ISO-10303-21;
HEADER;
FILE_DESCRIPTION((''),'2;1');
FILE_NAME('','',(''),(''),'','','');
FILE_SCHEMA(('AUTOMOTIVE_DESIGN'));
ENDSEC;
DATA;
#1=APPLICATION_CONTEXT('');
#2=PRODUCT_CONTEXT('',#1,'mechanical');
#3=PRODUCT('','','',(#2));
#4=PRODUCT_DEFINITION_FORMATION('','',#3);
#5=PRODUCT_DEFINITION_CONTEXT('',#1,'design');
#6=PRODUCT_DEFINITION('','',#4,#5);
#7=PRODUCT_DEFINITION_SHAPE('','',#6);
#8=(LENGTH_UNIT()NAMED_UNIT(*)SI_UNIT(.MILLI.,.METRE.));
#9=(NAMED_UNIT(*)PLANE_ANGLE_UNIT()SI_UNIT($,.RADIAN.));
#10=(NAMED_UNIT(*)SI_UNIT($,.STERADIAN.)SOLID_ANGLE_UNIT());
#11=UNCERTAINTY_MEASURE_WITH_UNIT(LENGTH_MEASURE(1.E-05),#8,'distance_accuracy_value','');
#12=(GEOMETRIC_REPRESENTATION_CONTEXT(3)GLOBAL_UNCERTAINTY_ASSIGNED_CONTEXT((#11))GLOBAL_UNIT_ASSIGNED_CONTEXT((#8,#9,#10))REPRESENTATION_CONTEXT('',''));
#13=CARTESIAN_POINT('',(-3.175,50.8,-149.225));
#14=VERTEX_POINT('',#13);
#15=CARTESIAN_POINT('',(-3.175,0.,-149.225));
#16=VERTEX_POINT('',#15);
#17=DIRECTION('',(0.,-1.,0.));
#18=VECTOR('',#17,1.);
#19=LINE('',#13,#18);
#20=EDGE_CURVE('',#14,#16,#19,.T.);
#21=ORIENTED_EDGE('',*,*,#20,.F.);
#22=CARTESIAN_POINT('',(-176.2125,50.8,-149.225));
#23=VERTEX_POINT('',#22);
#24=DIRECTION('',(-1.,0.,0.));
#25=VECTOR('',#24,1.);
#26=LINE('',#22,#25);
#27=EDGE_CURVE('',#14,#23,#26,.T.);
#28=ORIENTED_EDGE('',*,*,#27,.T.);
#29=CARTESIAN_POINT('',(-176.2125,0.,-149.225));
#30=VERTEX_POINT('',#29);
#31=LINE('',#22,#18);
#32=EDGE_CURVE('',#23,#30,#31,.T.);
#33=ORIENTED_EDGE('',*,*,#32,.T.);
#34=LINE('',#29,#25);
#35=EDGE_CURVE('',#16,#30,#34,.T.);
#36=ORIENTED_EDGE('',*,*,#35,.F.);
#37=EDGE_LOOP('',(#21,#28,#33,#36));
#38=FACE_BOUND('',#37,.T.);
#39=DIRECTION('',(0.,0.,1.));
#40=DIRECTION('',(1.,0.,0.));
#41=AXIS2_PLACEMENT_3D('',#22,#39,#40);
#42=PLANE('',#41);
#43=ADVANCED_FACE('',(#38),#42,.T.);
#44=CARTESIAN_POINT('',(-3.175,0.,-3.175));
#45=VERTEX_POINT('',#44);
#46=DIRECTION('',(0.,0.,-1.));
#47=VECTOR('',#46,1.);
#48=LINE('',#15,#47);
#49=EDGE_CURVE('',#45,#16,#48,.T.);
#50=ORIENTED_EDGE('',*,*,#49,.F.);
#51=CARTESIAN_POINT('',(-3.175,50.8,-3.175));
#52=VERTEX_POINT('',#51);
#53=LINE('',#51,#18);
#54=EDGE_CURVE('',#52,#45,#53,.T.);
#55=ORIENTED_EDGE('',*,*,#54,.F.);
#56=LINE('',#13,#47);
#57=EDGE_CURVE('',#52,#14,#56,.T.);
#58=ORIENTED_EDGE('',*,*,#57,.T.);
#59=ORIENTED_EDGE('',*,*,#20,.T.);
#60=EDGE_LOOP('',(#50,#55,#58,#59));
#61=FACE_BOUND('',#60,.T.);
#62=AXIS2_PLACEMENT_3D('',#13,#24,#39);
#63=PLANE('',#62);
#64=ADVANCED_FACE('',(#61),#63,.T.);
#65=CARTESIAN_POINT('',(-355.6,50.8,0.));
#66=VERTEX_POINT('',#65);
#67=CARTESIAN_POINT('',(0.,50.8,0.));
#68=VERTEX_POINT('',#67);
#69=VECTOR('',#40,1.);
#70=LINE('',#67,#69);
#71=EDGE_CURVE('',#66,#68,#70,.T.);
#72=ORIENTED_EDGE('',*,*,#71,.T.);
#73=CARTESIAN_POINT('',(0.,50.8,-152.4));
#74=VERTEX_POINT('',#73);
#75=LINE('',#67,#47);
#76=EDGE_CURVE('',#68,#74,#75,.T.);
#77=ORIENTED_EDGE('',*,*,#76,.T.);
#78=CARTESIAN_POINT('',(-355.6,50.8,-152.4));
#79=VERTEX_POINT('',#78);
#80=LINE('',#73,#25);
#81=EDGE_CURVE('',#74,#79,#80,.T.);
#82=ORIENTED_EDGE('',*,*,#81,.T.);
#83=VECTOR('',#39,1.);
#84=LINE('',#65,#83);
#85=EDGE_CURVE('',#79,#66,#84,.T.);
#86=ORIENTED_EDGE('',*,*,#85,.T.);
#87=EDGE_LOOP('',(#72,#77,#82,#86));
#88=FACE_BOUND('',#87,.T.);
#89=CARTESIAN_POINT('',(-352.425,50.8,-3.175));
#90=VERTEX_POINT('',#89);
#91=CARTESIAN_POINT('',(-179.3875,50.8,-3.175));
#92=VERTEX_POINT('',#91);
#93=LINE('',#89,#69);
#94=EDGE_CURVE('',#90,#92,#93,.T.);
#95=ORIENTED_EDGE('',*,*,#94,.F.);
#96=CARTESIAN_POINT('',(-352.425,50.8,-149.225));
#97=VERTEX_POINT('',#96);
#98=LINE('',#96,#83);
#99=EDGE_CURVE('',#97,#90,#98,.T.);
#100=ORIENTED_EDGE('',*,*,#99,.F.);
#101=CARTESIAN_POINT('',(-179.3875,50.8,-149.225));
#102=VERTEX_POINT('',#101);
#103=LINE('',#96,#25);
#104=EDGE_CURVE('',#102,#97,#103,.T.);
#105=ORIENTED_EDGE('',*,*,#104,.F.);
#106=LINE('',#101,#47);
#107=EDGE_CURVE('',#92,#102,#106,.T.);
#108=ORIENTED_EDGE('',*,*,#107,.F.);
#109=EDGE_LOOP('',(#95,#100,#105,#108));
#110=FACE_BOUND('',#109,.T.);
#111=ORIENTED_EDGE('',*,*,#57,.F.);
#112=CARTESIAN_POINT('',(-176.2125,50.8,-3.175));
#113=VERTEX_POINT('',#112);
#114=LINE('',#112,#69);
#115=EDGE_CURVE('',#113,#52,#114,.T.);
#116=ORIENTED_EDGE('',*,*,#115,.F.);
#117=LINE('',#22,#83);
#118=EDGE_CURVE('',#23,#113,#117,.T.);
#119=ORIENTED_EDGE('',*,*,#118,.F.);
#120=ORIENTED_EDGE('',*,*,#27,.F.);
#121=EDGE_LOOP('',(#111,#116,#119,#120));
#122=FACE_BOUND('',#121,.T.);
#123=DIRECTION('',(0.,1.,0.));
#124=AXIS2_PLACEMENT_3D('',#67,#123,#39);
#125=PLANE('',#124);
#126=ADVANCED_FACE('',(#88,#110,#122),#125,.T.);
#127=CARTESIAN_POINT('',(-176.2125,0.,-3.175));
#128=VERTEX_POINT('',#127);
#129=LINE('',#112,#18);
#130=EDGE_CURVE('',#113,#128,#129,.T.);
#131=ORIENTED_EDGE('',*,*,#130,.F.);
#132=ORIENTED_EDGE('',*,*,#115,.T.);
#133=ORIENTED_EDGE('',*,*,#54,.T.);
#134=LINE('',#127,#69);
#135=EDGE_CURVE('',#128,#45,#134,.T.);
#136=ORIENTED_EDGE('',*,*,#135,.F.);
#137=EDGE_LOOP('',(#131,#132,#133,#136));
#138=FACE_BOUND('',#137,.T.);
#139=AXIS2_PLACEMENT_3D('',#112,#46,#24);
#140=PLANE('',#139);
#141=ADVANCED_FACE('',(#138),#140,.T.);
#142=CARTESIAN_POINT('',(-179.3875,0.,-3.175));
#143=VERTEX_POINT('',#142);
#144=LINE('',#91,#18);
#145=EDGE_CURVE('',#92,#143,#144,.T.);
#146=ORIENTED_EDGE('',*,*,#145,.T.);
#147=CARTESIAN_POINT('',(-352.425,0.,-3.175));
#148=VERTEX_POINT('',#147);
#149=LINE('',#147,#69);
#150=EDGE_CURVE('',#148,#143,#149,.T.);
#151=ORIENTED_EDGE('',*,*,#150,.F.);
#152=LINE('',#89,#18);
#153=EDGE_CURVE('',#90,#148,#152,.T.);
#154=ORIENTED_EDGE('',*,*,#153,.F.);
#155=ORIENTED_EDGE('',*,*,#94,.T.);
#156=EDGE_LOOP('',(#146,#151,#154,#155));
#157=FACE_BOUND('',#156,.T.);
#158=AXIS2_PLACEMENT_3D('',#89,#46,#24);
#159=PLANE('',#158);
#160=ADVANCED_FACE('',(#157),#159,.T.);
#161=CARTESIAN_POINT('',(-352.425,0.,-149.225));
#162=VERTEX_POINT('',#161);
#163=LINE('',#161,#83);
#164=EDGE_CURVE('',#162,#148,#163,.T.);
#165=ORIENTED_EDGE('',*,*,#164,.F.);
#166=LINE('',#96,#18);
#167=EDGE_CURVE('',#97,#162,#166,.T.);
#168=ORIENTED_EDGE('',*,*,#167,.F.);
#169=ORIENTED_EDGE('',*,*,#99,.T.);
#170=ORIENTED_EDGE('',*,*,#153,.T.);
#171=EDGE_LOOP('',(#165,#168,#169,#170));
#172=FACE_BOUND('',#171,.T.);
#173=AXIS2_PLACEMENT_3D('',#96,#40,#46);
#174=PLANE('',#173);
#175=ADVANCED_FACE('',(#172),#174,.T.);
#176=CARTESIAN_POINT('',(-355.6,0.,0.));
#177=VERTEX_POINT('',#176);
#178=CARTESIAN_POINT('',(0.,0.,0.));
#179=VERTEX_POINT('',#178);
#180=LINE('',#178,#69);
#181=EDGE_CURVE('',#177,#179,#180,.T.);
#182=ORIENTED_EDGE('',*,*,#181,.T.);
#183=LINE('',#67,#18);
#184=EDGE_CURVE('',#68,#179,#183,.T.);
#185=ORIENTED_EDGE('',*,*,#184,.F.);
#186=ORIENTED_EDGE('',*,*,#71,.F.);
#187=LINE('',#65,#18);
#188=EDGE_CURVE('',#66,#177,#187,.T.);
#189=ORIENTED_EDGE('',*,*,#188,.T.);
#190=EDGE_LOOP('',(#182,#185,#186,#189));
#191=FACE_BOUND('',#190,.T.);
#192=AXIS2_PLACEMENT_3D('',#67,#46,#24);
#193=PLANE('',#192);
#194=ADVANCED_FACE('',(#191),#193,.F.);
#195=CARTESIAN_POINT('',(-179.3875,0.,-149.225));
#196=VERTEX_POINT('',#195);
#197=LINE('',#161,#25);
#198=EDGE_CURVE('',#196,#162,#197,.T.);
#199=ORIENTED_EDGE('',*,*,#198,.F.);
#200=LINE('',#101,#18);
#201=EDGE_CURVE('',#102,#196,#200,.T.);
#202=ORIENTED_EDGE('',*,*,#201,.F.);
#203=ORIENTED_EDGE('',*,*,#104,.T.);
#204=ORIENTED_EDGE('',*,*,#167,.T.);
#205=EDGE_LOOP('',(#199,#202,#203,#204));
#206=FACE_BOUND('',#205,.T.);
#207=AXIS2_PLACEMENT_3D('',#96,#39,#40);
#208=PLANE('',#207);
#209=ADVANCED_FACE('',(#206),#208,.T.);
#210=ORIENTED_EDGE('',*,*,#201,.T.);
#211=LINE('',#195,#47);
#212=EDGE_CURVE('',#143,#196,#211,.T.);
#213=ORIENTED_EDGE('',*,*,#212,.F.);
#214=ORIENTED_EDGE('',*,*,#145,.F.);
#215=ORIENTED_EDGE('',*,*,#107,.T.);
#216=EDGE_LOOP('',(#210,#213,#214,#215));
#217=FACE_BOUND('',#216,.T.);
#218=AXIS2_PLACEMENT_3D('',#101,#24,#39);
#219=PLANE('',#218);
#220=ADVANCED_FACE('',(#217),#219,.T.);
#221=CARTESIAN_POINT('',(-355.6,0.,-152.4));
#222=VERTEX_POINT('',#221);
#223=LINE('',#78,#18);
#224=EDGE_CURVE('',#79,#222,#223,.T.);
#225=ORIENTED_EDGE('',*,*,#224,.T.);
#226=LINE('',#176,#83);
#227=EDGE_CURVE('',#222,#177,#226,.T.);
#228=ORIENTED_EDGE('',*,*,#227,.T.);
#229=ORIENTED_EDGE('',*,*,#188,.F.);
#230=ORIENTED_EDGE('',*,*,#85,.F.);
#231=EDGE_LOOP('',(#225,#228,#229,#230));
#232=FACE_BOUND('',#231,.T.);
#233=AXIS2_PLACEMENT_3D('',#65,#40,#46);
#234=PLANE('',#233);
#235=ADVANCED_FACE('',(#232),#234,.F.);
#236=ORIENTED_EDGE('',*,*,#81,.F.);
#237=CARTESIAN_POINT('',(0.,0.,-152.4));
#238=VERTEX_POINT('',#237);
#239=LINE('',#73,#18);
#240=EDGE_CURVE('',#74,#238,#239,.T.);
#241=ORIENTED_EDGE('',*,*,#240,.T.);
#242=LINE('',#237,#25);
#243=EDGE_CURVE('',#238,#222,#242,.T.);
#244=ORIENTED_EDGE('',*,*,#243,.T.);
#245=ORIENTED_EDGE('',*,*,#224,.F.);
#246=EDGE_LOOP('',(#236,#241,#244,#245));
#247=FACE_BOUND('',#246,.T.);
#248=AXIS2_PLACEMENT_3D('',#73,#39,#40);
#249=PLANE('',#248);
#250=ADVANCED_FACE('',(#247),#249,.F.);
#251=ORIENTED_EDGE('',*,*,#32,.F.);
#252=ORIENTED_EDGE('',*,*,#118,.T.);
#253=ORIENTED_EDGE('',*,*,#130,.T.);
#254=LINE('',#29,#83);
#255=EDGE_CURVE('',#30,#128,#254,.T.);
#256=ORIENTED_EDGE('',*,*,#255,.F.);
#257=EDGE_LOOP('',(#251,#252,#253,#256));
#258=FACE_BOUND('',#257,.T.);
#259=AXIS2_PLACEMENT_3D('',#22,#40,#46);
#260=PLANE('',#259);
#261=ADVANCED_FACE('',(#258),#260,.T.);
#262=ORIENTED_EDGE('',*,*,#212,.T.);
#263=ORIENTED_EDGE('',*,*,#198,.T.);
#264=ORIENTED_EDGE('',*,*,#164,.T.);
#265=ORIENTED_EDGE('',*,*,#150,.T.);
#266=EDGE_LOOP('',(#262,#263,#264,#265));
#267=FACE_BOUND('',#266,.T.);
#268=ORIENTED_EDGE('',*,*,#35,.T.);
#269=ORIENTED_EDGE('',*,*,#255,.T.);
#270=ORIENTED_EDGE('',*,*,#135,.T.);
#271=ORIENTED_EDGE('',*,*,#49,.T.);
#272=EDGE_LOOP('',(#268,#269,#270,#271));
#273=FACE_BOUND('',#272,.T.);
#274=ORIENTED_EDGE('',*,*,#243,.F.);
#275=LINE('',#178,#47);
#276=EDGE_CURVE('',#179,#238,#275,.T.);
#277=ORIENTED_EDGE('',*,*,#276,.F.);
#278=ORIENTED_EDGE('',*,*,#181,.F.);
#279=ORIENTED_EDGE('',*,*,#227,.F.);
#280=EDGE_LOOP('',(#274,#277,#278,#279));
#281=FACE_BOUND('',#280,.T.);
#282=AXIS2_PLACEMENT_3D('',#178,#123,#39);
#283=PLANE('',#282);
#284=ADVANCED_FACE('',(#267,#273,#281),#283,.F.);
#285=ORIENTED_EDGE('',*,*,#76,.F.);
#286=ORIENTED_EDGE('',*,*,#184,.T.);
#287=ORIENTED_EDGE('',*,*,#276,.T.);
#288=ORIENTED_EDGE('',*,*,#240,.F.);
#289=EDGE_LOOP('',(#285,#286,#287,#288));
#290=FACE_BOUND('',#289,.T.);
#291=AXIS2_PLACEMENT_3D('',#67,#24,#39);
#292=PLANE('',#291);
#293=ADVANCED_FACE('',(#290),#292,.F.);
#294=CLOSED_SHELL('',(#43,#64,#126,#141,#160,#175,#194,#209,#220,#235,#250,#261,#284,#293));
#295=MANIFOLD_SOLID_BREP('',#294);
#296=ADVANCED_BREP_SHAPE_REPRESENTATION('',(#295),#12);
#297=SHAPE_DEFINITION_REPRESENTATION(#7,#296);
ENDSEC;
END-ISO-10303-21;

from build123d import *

# Parameters (mm, degrees)
SKETCH1_W           = 355.6
SKETCH1_H           = 152.4
SKETCH1_W_2         = 173.0375
SKETCH1_H_2         = 146.05
BOSS_EXTRUDE1_DEPTH = 50.8


with BuildPart() as part:
    # Sketch1 → Boss-Extrude1 (new body)
    with BuildSketch(Plane(origin=(0, 0, 0), x_dir=(1, 0, 0), z_dir=(0, 1, 0))):
        with Locations((-177.8, 76.2)):
            Rectangle(SKETCH1_W, SKETCH1_H)
        with Locations((-265.90625, 76.2)):
            Rectangle(SKETCH1_W_2, SKETCH1_H_2, mode=Mode.SUBTRACT)
        with Locations((-89.69375, 76.2)):
            Rectangle(SKETCH1_W_2, SKETCH1_H_2, mode=Mode.SUBTRACT)
    extrude(amount=BOSS_EXTRUDE1_DEPTH)


solid = part.part
